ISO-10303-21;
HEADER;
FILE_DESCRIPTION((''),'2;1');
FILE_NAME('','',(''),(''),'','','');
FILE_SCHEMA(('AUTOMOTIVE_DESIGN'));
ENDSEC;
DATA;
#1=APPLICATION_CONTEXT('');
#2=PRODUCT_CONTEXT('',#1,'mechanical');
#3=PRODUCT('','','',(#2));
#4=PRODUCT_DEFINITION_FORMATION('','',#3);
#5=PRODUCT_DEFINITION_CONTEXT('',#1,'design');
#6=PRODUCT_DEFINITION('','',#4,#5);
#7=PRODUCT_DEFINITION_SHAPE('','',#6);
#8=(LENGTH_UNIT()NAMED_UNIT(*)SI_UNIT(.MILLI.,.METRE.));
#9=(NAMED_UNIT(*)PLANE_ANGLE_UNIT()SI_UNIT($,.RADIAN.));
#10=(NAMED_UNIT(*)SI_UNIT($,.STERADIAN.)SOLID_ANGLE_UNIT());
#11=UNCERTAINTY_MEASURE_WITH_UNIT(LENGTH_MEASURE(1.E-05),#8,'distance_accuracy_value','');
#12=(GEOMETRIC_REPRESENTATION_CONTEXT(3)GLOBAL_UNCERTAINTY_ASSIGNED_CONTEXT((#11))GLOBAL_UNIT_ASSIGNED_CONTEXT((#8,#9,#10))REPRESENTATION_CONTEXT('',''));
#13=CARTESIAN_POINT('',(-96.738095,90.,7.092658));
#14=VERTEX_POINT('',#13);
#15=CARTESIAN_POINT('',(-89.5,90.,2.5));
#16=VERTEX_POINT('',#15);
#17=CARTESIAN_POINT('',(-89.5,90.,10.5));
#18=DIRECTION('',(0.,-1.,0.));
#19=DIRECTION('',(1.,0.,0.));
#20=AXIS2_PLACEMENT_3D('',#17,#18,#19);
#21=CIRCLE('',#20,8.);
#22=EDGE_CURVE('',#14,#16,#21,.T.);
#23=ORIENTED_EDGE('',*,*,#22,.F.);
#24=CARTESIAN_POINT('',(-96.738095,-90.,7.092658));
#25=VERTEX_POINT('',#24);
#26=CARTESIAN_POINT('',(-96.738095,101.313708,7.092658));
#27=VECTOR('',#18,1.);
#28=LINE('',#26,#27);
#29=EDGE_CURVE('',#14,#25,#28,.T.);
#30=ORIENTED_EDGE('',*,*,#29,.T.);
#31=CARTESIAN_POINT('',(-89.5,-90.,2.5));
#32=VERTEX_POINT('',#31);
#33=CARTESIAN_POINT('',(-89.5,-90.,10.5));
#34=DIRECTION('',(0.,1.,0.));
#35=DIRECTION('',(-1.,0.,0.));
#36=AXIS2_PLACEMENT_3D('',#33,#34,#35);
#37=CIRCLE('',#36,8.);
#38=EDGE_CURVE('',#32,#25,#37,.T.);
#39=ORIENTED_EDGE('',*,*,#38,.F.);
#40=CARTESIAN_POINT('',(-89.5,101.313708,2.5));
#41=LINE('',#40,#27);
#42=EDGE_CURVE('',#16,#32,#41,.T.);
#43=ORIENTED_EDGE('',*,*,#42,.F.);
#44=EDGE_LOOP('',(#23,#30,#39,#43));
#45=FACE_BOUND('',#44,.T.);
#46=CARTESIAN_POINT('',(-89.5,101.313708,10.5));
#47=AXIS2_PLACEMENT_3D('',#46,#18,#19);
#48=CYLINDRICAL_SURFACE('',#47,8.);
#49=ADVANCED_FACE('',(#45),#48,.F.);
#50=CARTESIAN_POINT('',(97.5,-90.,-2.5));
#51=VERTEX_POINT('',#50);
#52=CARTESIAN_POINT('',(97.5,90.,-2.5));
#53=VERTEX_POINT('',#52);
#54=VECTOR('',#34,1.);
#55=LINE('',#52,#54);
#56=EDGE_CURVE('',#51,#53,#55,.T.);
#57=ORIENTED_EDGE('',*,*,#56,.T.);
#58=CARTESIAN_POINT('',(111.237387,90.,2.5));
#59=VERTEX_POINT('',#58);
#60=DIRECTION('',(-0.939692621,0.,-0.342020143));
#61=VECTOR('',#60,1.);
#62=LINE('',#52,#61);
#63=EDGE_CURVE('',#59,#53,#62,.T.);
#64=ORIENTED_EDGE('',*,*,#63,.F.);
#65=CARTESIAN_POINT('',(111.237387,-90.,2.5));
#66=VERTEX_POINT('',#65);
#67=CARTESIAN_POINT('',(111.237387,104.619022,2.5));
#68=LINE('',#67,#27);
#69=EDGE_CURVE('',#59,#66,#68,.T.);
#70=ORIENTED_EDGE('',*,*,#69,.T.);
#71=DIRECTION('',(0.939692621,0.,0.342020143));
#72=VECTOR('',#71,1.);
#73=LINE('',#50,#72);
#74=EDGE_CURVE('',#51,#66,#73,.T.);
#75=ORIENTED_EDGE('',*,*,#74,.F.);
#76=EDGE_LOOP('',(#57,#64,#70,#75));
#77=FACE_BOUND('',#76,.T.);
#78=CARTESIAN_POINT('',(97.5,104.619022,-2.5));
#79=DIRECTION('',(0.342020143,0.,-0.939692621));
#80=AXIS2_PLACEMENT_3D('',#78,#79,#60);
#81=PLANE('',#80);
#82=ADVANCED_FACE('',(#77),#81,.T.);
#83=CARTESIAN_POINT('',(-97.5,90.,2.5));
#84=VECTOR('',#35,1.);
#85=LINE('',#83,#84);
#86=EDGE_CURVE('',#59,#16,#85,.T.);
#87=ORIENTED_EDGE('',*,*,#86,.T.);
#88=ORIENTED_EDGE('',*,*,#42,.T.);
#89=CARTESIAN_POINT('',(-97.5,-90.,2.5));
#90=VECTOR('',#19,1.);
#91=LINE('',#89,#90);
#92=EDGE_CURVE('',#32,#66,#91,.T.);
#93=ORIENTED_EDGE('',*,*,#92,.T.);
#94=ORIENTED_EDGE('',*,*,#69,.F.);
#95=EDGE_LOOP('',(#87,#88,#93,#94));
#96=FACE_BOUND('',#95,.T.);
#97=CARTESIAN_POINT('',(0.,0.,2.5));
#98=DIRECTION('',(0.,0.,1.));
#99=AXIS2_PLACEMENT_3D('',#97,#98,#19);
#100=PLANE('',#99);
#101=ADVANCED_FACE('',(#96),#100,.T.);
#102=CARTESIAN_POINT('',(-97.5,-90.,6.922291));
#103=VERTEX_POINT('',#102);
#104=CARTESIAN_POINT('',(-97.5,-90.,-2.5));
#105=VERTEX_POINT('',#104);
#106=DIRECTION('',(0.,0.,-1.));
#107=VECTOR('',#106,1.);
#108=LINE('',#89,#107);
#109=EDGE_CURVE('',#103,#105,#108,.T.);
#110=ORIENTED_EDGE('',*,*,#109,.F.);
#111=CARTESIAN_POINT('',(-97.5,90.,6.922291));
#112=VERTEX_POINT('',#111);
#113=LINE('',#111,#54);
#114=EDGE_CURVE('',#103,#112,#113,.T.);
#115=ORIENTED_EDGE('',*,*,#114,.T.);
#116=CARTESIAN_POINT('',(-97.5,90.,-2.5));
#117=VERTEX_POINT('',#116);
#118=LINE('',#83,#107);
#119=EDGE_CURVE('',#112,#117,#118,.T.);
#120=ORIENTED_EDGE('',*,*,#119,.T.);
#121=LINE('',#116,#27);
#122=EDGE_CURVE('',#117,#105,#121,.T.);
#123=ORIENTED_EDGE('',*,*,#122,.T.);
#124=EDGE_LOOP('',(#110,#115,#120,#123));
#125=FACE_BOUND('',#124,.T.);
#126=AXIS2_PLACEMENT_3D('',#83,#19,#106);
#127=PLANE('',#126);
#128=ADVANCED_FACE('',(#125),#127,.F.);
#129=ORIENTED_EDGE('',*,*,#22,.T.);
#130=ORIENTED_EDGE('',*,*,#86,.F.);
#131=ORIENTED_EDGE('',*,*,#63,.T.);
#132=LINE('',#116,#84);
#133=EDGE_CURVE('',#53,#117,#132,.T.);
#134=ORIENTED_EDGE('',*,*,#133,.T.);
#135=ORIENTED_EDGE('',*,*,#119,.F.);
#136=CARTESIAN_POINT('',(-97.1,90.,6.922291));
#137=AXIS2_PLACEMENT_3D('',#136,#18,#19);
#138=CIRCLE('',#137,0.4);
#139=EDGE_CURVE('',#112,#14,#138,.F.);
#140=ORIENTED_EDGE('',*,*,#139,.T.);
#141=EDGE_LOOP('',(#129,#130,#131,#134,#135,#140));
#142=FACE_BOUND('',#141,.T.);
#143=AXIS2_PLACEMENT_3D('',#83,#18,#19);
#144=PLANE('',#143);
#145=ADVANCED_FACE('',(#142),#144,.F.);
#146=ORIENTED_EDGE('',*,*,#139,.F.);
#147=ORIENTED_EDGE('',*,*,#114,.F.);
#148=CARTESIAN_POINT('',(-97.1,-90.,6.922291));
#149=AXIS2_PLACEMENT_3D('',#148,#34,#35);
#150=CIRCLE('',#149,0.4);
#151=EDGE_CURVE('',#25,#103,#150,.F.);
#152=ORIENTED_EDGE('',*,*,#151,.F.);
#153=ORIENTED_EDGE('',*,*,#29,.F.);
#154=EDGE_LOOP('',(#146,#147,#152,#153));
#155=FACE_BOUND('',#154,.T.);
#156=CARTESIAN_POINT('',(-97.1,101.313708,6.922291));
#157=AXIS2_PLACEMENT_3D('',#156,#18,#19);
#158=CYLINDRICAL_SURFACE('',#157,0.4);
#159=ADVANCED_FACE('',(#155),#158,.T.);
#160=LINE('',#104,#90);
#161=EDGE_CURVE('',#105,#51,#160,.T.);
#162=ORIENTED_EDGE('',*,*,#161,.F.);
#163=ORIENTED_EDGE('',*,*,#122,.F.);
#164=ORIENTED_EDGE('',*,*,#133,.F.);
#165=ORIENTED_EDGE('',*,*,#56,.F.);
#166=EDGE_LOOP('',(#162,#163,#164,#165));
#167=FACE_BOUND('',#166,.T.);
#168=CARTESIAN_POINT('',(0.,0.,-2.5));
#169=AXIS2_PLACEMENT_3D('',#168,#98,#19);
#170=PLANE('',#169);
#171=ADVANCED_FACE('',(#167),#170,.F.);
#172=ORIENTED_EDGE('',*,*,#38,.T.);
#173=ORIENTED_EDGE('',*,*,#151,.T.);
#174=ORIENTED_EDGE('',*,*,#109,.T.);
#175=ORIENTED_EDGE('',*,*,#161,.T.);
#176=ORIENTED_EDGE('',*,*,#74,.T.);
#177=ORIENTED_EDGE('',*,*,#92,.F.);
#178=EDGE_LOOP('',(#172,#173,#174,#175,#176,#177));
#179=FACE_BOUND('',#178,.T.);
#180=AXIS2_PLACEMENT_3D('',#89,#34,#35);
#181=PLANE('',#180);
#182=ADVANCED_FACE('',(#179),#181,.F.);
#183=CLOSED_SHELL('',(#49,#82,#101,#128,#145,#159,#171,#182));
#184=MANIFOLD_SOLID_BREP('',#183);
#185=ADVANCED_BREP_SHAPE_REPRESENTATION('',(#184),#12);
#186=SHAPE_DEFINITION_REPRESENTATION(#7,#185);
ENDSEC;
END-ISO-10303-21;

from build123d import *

# Parameters (mm, degrees)
SKETCH1_W           = 195
SKETCH1_H           = 180
BOSS_EXTRUDE1_DEPTH = 2.5
BOSS_EXTRUDE3_DEPTH = 180
BOSS_EXTRUDE4_DEPTH = 180
FILLET1_R           = 0.4


with BuildPart() as part:
    # Sketch1 → Boss-Extrude1 (new body, symmetric)
    with BuildSketch(Plane.XY):
        Rectangle(SKETCH1_W, SKETCH1_H)
    extrude(amount=BOSS_EXTRUDE1_DEPTH, both=True)

    # Sketch4 → Boss-Extrude3 (add)
    with BuildSketch(Plane.XZ.offset(90)):
        with BuildLine():
            Line((-97.5, 2.5), (-97.5, 10.5))
            ThreePointArc((-97.5, 10.5), (-95.156854249, 4.843145751), (-89.5, 2.5))
            Line((-89.5, 2.5), (-97.5, 2.5))
        make_face()
    extrude(amount=-BOSS_EXTRUDE3_DEPTH)

    # Sketch5 → Boss-Extrude4 (add)
    with BuildSketch(Plane.XZ.offset(90)):
        Polygon((97.5, 2.5), (97.5, -2.5), (111.237387097, 2.5), align=None)
    extrude(amount=-BOSS_EXTRUDE4_DEPTH)

    # Fillet1
    fillet1_edges = [part.edges().sort_by_distance(p)[0] for p in [
        (-97.5, 0, 10.5),
    ]]
    fillet(fillet1_edges, radius=FILLET1_R)


solid = part.part
